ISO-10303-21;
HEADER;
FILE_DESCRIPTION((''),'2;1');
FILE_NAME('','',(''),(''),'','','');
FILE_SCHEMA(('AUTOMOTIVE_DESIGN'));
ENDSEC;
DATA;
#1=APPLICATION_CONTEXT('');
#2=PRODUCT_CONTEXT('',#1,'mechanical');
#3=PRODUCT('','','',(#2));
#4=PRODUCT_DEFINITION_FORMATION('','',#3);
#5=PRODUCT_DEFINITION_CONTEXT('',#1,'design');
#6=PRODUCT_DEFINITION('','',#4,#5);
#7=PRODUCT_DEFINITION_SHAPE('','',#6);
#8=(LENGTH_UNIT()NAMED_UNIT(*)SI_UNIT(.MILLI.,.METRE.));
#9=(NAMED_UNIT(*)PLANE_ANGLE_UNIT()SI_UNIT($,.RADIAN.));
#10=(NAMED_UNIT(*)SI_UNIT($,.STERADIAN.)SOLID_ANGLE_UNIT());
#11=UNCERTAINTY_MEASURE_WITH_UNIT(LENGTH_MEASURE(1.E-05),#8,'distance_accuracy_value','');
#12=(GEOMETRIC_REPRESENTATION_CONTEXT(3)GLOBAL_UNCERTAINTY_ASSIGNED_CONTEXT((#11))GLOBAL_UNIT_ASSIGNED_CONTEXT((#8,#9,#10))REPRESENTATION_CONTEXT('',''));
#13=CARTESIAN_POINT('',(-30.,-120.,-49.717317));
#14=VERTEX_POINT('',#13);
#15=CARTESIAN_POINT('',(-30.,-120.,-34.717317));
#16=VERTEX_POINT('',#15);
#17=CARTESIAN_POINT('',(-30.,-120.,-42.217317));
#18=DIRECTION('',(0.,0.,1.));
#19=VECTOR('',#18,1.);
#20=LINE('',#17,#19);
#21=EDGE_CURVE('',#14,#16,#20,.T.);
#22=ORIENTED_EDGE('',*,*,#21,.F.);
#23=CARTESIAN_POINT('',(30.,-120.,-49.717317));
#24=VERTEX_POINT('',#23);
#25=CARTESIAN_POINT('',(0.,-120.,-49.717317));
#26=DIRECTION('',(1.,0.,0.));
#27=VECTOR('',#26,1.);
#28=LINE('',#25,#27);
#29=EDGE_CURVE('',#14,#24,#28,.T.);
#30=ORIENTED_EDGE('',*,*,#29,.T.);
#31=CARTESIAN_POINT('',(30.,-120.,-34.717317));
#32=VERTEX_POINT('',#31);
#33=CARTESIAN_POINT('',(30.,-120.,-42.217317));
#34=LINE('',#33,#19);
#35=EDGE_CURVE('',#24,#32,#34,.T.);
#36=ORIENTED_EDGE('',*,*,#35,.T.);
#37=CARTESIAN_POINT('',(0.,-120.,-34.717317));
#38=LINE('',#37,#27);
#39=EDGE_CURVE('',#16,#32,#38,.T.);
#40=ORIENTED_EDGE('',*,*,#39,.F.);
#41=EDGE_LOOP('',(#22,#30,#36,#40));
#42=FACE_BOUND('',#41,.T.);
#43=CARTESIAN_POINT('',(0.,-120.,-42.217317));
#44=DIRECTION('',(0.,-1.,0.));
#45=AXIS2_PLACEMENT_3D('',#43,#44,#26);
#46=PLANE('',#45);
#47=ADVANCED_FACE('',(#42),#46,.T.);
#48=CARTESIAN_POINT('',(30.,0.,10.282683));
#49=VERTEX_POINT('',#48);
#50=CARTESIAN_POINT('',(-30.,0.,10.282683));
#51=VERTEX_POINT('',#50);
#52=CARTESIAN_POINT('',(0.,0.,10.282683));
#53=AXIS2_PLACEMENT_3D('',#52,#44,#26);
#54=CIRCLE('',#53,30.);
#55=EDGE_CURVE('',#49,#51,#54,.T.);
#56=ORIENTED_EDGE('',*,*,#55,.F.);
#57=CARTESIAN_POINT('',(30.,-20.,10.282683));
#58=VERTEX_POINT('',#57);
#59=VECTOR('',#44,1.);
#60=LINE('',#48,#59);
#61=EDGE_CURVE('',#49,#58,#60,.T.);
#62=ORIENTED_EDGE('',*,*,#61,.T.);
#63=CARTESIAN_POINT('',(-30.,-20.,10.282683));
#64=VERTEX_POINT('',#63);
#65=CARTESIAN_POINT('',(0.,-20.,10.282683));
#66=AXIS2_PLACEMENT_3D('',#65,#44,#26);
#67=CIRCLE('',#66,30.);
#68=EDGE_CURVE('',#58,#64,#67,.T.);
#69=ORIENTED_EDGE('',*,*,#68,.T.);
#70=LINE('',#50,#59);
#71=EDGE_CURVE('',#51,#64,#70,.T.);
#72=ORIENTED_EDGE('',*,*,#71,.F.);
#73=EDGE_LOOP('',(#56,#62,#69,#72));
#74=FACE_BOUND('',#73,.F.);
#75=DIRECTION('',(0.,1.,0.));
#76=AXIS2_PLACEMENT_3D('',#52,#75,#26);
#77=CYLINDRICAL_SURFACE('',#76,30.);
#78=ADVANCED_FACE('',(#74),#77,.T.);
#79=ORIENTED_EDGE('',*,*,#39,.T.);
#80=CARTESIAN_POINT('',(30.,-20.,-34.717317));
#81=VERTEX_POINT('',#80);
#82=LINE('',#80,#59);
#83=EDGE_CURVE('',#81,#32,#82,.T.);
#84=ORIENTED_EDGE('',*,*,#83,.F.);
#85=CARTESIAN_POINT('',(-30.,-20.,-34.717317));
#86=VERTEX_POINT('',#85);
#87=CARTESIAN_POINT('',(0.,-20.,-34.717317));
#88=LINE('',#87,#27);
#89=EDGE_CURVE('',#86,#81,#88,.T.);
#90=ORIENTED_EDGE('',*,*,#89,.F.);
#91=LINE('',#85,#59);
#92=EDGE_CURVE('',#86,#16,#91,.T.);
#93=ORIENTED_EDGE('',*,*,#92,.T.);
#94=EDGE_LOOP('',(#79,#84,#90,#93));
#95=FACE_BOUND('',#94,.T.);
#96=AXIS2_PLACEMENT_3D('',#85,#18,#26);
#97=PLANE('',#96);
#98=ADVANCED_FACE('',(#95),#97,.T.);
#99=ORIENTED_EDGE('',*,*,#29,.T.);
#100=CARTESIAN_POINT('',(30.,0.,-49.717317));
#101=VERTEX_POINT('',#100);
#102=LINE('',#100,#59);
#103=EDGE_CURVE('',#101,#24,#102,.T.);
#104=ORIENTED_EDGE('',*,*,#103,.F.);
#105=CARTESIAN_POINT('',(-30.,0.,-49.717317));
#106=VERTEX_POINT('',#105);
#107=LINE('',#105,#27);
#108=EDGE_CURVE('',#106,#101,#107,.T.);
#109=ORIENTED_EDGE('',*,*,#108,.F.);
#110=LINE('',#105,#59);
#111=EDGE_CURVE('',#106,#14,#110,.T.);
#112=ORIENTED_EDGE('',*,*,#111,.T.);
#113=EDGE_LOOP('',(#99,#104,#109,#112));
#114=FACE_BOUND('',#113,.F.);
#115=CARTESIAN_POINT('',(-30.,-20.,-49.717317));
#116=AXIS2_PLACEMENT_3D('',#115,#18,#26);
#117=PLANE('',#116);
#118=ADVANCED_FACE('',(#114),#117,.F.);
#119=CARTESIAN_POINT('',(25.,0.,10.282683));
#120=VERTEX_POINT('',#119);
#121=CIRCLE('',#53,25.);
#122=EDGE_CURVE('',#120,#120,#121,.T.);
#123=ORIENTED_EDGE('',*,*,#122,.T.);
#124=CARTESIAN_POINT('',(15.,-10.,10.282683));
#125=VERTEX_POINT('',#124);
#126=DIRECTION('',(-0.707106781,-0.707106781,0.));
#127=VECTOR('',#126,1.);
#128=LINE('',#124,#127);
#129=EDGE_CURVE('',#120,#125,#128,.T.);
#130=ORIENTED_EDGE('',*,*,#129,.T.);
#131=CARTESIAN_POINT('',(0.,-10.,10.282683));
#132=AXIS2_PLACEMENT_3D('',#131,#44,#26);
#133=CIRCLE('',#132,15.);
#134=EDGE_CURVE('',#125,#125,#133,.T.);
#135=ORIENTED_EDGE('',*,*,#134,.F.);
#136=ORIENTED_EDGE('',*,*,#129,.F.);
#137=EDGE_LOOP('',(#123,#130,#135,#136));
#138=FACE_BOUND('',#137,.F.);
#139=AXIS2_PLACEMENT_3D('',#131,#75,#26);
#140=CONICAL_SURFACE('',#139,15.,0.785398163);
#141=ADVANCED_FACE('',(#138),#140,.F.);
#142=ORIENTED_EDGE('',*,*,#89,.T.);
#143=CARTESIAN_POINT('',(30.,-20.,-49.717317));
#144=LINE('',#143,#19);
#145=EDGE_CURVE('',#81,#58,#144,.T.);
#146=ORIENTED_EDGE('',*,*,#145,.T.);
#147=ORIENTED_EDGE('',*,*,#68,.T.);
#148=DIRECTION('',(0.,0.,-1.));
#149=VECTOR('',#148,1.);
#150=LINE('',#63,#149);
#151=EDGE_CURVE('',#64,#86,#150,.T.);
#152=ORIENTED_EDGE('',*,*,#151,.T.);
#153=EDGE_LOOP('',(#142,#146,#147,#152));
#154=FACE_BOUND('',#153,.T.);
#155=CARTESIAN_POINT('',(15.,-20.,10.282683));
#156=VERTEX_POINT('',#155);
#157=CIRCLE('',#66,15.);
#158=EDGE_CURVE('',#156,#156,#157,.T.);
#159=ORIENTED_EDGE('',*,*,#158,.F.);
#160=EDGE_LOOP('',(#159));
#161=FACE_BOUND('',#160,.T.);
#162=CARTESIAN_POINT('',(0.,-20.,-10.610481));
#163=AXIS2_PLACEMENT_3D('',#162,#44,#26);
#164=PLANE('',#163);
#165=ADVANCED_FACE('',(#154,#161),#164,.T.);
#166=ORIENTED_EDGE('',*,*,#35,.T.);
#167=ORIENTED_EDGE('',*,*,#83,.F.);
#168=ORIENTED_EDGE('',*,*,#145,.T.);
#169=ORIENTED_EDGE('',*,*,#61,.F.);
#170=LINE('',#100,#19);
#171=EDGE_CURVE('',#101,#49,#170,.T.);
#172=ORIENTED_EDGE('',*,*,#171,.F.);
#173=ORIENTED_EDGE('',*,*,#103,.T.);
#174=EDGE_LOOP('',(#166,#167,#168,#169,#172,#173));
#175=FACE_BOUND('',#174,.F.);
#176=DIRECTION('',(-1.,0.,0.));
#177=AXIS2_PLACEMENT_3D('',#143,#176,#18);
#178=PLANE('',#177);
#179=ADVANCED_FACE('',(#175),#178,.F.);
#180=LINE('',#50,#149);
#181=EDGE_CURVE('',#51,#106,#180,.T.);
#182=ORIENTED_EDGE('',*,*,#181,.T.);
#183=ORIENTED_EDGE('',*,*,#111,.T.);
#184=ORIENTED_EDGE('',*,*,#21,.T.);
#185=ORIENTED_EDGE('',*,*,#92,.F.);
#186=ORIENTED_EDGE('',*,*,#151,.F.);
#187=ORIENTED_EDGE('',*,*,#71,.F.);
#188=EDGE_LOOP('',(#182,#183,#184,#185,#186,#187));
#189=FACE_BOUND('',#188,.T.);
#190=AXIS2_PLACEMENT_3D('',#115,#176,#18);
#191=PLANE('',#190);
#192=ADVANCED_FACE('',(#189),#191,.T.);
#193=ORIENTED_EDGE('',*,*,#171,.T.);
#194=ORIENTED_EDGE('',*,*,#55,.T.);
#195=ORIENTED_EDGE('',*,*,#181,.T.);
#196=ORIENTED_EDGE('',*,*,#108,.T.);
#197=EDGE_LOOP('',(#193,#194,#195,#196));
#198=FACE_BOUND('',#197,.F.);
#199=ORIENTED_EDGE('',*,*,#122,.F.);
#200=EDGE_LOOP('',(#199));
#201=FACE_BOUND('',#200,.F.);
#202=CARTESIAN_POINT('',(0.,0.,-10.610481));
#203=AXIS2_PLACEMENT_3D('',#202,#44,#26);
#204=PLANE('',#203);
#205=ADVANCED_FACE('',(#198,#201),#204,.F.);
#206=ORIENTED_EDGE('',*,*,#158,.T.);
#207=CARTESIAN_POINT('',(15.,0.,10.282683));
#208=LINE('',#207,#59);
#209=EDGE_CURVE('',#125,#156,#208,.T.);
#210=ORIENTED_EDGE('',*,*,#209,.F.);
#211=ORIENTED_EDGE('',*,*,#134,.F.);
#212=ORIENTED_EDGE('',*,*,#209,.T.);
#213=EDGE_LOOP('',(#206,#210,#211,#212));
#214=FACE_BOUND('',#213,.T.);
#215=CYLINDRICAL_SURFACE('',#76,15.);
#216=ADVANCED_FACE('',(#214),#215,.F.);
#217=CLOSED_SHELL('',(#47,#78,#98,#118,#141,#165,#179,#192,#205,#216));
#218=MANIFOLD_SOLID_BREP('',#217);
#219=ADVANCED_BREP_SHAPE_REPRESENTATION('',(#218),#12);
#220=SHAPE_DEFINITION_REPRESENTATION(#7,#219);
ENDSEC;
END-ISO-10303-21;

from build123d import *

# Parameters (mm, degrees)
F0_R     = 15
F1_DEPTH = 20
F2_W     = 60
F2_H     = 15
F3_DEPTH = 100
F4_SIZE  = 10


with BuildPart() as f1:
    # F0 (on Front) → F1 (new body)
    with BuildSketch(Plane.XZ):
        with BuildLine():
            Line((-30, -49.717317), (30, -49.717317))
            Line((30, -49.717317), (30, 10.282683))
            ThreePointArc((30, 10.282683), (0, 40.282683), (-30, 10.282683))
            Line((-30, 10.282683), (-30, -49.717317))
        make_face()
        with Locations((0, 10.282683)):
            Circle(F0_R, mode=Mode.SUBTRACT)
    extrude(amount=F1_DEPTH)

    # F2 (on face) → F3 (join)
    with BuildSketch(Plane.XZ.offset(20)):
        with Locations((0, -42.217317)):
            Rectangle(F2_W, F2_H)
    extrude(amount=F3_DEPTH)

    # F4
    f4_edges = [f1.edges().sort_by_distance(p)[0] for p in [
        (-15, 0, 10.282683),
    ]]
    chamfer(f4_edges, length=F4_SIZE)


solid = f1.part
